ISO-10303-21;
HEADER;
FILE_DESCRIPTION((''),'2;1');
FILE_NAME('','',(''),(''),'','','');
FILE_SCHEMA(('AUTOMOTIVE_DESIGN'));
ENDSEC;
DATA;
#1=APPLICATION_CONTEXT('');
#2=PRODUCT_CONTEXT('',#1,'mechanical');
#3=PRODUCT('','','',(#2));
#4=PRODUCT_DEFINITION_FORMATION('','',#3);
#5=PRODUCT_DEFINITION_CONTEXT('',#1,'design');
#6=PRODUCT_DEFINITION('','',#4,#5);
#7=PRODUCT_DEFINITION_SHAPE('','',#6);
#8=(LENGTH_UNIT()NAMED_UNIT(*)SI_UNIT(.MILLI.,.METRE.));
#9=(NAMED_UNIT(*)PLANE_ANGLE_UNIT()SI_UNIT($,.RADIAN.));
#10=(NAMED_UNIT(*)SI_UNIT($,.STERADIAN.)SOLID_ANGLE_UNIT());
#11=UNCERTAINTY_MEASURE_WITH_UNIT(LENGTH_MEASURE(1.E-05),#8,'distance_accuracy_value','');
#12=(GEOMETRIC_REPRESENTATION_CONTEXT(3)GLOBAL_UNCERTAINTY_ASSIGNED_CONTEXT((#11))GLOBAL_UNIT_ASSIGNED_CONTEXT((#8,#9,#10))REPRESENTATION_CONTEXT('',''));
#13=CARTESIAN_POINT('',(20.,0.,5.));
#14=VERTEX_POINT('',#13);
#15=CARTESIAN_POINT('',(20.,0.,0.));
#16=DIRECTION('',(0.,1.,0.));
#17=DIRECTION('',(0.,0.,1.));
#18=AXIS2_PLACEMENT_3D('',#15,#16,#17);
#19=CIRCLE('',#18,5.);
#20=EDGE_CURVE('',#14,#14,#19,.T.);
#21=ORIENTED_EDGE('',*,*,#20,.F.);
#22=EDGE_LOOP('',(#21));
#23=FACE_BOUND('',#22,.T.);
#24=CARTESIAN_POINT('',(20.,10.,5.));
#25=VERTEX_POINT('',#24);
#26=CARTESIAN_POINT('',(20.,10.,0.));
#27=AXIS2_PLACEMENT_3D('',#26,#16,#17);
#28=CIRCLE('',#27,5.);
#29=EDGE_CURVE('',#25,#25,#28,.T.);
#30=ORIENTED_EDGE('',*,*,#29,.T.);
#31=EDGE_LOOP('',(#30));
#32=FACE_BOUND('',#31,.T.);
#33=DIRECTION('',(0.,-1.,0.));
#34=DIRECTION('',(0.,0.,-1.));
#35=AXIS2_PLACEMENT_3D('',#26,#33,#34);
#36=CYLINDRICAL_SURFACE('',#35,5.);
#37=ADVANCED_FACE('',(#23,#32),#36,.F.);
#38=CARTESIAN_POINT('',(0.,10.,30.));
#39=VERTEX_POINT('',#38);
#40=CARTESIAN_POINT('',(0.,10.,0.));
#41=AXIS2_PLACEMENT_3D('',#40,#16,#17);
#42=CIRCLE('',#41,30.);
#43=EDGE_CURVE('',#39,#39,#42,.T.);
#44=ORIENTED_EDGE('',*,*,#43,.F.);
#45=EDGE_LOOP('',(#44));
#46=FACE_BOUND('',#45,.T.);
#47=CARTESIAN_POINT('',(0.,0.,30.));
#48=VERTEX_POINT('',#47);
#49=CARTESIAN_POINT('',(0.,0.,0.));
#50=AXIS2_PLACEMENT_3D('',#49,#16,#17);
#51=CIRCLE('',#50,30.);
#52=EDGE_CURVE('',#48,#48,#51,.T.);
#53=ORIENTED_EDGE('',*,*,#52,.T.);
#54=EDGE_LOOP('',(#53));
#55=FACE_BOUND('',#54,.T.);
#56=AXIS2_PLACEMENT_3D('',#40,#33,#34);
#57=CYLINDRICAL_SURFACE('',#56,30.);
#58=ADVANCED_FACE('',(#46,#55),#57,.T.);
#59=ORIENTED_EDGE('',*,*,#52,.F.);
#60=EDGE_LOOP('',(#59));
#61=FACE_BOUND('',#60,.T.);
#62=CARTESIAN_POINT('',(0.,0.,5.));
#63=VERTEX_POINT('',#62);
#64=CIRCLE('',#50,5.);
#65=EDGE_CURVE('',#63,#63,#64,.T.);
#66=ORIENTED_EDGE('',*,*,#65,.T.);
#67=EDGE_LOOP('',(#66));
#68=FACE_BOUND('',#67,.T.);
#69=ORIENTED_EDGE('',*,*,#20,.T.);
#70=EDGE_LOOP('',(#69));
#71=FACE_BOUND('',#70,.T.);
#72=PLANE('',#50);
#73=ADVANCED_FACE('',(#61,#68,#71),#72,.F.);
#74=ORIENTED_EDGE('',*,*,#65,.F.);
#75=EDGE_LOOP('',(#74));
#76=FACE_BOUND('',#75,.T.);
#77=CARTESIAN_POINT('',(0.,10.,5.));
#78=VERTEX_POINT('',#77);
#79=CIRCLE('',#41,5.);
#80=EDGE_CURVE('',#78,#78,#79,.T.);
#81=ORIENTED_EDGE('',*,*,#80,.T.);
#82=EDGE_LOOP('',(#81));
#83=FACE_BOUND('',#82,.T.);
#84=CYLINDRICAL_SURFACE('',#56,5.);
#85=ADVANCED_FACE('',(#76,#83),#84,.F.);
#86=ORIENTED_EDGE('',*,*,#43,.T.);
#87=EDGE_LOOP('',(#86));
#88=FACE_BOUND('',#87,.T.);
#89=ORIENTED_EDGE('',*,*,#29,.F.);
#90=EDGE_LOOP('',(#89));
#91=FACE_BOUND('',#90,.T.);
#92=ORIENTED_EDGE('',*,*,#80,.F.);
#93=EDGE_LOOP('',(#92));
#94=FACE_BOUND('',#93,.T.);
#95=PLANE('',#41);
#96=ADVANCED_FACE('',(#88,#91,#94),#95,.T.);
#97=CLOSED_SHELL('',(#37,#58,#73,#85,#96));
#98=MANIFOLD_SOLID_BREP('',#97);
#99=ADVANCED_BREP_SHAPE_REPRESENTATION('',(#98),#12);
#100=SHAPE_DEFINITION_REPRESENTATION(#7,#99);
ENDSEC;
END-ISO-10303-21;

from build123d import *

# Parameters (mm, degrees)
SKETCH1_R           = 30
SKETCH1_R_2         = 5
BOSS_EXTRUDE1_DEPTH = 10


with BuildPart() as part:
    # Sketch1 → Boss-Extrude1 (new body)
    with BuildSketch(Plane(origin=(0, 0, 0), x_dir=(1, 0, 0), z_dir=(0, 1, 0))):
        Circle(SKETCH1_R)
        Circle(SKETCH1_R_2, mode=Mode.SUBTRACT)
        with Locations((20, 0)):
            Circle(SKETCH1_R_2, mode=Mode.SUBTRACT)
    extrude(amount=BOSS_EXTRUDE1_DEPTH)


solid = part.part
